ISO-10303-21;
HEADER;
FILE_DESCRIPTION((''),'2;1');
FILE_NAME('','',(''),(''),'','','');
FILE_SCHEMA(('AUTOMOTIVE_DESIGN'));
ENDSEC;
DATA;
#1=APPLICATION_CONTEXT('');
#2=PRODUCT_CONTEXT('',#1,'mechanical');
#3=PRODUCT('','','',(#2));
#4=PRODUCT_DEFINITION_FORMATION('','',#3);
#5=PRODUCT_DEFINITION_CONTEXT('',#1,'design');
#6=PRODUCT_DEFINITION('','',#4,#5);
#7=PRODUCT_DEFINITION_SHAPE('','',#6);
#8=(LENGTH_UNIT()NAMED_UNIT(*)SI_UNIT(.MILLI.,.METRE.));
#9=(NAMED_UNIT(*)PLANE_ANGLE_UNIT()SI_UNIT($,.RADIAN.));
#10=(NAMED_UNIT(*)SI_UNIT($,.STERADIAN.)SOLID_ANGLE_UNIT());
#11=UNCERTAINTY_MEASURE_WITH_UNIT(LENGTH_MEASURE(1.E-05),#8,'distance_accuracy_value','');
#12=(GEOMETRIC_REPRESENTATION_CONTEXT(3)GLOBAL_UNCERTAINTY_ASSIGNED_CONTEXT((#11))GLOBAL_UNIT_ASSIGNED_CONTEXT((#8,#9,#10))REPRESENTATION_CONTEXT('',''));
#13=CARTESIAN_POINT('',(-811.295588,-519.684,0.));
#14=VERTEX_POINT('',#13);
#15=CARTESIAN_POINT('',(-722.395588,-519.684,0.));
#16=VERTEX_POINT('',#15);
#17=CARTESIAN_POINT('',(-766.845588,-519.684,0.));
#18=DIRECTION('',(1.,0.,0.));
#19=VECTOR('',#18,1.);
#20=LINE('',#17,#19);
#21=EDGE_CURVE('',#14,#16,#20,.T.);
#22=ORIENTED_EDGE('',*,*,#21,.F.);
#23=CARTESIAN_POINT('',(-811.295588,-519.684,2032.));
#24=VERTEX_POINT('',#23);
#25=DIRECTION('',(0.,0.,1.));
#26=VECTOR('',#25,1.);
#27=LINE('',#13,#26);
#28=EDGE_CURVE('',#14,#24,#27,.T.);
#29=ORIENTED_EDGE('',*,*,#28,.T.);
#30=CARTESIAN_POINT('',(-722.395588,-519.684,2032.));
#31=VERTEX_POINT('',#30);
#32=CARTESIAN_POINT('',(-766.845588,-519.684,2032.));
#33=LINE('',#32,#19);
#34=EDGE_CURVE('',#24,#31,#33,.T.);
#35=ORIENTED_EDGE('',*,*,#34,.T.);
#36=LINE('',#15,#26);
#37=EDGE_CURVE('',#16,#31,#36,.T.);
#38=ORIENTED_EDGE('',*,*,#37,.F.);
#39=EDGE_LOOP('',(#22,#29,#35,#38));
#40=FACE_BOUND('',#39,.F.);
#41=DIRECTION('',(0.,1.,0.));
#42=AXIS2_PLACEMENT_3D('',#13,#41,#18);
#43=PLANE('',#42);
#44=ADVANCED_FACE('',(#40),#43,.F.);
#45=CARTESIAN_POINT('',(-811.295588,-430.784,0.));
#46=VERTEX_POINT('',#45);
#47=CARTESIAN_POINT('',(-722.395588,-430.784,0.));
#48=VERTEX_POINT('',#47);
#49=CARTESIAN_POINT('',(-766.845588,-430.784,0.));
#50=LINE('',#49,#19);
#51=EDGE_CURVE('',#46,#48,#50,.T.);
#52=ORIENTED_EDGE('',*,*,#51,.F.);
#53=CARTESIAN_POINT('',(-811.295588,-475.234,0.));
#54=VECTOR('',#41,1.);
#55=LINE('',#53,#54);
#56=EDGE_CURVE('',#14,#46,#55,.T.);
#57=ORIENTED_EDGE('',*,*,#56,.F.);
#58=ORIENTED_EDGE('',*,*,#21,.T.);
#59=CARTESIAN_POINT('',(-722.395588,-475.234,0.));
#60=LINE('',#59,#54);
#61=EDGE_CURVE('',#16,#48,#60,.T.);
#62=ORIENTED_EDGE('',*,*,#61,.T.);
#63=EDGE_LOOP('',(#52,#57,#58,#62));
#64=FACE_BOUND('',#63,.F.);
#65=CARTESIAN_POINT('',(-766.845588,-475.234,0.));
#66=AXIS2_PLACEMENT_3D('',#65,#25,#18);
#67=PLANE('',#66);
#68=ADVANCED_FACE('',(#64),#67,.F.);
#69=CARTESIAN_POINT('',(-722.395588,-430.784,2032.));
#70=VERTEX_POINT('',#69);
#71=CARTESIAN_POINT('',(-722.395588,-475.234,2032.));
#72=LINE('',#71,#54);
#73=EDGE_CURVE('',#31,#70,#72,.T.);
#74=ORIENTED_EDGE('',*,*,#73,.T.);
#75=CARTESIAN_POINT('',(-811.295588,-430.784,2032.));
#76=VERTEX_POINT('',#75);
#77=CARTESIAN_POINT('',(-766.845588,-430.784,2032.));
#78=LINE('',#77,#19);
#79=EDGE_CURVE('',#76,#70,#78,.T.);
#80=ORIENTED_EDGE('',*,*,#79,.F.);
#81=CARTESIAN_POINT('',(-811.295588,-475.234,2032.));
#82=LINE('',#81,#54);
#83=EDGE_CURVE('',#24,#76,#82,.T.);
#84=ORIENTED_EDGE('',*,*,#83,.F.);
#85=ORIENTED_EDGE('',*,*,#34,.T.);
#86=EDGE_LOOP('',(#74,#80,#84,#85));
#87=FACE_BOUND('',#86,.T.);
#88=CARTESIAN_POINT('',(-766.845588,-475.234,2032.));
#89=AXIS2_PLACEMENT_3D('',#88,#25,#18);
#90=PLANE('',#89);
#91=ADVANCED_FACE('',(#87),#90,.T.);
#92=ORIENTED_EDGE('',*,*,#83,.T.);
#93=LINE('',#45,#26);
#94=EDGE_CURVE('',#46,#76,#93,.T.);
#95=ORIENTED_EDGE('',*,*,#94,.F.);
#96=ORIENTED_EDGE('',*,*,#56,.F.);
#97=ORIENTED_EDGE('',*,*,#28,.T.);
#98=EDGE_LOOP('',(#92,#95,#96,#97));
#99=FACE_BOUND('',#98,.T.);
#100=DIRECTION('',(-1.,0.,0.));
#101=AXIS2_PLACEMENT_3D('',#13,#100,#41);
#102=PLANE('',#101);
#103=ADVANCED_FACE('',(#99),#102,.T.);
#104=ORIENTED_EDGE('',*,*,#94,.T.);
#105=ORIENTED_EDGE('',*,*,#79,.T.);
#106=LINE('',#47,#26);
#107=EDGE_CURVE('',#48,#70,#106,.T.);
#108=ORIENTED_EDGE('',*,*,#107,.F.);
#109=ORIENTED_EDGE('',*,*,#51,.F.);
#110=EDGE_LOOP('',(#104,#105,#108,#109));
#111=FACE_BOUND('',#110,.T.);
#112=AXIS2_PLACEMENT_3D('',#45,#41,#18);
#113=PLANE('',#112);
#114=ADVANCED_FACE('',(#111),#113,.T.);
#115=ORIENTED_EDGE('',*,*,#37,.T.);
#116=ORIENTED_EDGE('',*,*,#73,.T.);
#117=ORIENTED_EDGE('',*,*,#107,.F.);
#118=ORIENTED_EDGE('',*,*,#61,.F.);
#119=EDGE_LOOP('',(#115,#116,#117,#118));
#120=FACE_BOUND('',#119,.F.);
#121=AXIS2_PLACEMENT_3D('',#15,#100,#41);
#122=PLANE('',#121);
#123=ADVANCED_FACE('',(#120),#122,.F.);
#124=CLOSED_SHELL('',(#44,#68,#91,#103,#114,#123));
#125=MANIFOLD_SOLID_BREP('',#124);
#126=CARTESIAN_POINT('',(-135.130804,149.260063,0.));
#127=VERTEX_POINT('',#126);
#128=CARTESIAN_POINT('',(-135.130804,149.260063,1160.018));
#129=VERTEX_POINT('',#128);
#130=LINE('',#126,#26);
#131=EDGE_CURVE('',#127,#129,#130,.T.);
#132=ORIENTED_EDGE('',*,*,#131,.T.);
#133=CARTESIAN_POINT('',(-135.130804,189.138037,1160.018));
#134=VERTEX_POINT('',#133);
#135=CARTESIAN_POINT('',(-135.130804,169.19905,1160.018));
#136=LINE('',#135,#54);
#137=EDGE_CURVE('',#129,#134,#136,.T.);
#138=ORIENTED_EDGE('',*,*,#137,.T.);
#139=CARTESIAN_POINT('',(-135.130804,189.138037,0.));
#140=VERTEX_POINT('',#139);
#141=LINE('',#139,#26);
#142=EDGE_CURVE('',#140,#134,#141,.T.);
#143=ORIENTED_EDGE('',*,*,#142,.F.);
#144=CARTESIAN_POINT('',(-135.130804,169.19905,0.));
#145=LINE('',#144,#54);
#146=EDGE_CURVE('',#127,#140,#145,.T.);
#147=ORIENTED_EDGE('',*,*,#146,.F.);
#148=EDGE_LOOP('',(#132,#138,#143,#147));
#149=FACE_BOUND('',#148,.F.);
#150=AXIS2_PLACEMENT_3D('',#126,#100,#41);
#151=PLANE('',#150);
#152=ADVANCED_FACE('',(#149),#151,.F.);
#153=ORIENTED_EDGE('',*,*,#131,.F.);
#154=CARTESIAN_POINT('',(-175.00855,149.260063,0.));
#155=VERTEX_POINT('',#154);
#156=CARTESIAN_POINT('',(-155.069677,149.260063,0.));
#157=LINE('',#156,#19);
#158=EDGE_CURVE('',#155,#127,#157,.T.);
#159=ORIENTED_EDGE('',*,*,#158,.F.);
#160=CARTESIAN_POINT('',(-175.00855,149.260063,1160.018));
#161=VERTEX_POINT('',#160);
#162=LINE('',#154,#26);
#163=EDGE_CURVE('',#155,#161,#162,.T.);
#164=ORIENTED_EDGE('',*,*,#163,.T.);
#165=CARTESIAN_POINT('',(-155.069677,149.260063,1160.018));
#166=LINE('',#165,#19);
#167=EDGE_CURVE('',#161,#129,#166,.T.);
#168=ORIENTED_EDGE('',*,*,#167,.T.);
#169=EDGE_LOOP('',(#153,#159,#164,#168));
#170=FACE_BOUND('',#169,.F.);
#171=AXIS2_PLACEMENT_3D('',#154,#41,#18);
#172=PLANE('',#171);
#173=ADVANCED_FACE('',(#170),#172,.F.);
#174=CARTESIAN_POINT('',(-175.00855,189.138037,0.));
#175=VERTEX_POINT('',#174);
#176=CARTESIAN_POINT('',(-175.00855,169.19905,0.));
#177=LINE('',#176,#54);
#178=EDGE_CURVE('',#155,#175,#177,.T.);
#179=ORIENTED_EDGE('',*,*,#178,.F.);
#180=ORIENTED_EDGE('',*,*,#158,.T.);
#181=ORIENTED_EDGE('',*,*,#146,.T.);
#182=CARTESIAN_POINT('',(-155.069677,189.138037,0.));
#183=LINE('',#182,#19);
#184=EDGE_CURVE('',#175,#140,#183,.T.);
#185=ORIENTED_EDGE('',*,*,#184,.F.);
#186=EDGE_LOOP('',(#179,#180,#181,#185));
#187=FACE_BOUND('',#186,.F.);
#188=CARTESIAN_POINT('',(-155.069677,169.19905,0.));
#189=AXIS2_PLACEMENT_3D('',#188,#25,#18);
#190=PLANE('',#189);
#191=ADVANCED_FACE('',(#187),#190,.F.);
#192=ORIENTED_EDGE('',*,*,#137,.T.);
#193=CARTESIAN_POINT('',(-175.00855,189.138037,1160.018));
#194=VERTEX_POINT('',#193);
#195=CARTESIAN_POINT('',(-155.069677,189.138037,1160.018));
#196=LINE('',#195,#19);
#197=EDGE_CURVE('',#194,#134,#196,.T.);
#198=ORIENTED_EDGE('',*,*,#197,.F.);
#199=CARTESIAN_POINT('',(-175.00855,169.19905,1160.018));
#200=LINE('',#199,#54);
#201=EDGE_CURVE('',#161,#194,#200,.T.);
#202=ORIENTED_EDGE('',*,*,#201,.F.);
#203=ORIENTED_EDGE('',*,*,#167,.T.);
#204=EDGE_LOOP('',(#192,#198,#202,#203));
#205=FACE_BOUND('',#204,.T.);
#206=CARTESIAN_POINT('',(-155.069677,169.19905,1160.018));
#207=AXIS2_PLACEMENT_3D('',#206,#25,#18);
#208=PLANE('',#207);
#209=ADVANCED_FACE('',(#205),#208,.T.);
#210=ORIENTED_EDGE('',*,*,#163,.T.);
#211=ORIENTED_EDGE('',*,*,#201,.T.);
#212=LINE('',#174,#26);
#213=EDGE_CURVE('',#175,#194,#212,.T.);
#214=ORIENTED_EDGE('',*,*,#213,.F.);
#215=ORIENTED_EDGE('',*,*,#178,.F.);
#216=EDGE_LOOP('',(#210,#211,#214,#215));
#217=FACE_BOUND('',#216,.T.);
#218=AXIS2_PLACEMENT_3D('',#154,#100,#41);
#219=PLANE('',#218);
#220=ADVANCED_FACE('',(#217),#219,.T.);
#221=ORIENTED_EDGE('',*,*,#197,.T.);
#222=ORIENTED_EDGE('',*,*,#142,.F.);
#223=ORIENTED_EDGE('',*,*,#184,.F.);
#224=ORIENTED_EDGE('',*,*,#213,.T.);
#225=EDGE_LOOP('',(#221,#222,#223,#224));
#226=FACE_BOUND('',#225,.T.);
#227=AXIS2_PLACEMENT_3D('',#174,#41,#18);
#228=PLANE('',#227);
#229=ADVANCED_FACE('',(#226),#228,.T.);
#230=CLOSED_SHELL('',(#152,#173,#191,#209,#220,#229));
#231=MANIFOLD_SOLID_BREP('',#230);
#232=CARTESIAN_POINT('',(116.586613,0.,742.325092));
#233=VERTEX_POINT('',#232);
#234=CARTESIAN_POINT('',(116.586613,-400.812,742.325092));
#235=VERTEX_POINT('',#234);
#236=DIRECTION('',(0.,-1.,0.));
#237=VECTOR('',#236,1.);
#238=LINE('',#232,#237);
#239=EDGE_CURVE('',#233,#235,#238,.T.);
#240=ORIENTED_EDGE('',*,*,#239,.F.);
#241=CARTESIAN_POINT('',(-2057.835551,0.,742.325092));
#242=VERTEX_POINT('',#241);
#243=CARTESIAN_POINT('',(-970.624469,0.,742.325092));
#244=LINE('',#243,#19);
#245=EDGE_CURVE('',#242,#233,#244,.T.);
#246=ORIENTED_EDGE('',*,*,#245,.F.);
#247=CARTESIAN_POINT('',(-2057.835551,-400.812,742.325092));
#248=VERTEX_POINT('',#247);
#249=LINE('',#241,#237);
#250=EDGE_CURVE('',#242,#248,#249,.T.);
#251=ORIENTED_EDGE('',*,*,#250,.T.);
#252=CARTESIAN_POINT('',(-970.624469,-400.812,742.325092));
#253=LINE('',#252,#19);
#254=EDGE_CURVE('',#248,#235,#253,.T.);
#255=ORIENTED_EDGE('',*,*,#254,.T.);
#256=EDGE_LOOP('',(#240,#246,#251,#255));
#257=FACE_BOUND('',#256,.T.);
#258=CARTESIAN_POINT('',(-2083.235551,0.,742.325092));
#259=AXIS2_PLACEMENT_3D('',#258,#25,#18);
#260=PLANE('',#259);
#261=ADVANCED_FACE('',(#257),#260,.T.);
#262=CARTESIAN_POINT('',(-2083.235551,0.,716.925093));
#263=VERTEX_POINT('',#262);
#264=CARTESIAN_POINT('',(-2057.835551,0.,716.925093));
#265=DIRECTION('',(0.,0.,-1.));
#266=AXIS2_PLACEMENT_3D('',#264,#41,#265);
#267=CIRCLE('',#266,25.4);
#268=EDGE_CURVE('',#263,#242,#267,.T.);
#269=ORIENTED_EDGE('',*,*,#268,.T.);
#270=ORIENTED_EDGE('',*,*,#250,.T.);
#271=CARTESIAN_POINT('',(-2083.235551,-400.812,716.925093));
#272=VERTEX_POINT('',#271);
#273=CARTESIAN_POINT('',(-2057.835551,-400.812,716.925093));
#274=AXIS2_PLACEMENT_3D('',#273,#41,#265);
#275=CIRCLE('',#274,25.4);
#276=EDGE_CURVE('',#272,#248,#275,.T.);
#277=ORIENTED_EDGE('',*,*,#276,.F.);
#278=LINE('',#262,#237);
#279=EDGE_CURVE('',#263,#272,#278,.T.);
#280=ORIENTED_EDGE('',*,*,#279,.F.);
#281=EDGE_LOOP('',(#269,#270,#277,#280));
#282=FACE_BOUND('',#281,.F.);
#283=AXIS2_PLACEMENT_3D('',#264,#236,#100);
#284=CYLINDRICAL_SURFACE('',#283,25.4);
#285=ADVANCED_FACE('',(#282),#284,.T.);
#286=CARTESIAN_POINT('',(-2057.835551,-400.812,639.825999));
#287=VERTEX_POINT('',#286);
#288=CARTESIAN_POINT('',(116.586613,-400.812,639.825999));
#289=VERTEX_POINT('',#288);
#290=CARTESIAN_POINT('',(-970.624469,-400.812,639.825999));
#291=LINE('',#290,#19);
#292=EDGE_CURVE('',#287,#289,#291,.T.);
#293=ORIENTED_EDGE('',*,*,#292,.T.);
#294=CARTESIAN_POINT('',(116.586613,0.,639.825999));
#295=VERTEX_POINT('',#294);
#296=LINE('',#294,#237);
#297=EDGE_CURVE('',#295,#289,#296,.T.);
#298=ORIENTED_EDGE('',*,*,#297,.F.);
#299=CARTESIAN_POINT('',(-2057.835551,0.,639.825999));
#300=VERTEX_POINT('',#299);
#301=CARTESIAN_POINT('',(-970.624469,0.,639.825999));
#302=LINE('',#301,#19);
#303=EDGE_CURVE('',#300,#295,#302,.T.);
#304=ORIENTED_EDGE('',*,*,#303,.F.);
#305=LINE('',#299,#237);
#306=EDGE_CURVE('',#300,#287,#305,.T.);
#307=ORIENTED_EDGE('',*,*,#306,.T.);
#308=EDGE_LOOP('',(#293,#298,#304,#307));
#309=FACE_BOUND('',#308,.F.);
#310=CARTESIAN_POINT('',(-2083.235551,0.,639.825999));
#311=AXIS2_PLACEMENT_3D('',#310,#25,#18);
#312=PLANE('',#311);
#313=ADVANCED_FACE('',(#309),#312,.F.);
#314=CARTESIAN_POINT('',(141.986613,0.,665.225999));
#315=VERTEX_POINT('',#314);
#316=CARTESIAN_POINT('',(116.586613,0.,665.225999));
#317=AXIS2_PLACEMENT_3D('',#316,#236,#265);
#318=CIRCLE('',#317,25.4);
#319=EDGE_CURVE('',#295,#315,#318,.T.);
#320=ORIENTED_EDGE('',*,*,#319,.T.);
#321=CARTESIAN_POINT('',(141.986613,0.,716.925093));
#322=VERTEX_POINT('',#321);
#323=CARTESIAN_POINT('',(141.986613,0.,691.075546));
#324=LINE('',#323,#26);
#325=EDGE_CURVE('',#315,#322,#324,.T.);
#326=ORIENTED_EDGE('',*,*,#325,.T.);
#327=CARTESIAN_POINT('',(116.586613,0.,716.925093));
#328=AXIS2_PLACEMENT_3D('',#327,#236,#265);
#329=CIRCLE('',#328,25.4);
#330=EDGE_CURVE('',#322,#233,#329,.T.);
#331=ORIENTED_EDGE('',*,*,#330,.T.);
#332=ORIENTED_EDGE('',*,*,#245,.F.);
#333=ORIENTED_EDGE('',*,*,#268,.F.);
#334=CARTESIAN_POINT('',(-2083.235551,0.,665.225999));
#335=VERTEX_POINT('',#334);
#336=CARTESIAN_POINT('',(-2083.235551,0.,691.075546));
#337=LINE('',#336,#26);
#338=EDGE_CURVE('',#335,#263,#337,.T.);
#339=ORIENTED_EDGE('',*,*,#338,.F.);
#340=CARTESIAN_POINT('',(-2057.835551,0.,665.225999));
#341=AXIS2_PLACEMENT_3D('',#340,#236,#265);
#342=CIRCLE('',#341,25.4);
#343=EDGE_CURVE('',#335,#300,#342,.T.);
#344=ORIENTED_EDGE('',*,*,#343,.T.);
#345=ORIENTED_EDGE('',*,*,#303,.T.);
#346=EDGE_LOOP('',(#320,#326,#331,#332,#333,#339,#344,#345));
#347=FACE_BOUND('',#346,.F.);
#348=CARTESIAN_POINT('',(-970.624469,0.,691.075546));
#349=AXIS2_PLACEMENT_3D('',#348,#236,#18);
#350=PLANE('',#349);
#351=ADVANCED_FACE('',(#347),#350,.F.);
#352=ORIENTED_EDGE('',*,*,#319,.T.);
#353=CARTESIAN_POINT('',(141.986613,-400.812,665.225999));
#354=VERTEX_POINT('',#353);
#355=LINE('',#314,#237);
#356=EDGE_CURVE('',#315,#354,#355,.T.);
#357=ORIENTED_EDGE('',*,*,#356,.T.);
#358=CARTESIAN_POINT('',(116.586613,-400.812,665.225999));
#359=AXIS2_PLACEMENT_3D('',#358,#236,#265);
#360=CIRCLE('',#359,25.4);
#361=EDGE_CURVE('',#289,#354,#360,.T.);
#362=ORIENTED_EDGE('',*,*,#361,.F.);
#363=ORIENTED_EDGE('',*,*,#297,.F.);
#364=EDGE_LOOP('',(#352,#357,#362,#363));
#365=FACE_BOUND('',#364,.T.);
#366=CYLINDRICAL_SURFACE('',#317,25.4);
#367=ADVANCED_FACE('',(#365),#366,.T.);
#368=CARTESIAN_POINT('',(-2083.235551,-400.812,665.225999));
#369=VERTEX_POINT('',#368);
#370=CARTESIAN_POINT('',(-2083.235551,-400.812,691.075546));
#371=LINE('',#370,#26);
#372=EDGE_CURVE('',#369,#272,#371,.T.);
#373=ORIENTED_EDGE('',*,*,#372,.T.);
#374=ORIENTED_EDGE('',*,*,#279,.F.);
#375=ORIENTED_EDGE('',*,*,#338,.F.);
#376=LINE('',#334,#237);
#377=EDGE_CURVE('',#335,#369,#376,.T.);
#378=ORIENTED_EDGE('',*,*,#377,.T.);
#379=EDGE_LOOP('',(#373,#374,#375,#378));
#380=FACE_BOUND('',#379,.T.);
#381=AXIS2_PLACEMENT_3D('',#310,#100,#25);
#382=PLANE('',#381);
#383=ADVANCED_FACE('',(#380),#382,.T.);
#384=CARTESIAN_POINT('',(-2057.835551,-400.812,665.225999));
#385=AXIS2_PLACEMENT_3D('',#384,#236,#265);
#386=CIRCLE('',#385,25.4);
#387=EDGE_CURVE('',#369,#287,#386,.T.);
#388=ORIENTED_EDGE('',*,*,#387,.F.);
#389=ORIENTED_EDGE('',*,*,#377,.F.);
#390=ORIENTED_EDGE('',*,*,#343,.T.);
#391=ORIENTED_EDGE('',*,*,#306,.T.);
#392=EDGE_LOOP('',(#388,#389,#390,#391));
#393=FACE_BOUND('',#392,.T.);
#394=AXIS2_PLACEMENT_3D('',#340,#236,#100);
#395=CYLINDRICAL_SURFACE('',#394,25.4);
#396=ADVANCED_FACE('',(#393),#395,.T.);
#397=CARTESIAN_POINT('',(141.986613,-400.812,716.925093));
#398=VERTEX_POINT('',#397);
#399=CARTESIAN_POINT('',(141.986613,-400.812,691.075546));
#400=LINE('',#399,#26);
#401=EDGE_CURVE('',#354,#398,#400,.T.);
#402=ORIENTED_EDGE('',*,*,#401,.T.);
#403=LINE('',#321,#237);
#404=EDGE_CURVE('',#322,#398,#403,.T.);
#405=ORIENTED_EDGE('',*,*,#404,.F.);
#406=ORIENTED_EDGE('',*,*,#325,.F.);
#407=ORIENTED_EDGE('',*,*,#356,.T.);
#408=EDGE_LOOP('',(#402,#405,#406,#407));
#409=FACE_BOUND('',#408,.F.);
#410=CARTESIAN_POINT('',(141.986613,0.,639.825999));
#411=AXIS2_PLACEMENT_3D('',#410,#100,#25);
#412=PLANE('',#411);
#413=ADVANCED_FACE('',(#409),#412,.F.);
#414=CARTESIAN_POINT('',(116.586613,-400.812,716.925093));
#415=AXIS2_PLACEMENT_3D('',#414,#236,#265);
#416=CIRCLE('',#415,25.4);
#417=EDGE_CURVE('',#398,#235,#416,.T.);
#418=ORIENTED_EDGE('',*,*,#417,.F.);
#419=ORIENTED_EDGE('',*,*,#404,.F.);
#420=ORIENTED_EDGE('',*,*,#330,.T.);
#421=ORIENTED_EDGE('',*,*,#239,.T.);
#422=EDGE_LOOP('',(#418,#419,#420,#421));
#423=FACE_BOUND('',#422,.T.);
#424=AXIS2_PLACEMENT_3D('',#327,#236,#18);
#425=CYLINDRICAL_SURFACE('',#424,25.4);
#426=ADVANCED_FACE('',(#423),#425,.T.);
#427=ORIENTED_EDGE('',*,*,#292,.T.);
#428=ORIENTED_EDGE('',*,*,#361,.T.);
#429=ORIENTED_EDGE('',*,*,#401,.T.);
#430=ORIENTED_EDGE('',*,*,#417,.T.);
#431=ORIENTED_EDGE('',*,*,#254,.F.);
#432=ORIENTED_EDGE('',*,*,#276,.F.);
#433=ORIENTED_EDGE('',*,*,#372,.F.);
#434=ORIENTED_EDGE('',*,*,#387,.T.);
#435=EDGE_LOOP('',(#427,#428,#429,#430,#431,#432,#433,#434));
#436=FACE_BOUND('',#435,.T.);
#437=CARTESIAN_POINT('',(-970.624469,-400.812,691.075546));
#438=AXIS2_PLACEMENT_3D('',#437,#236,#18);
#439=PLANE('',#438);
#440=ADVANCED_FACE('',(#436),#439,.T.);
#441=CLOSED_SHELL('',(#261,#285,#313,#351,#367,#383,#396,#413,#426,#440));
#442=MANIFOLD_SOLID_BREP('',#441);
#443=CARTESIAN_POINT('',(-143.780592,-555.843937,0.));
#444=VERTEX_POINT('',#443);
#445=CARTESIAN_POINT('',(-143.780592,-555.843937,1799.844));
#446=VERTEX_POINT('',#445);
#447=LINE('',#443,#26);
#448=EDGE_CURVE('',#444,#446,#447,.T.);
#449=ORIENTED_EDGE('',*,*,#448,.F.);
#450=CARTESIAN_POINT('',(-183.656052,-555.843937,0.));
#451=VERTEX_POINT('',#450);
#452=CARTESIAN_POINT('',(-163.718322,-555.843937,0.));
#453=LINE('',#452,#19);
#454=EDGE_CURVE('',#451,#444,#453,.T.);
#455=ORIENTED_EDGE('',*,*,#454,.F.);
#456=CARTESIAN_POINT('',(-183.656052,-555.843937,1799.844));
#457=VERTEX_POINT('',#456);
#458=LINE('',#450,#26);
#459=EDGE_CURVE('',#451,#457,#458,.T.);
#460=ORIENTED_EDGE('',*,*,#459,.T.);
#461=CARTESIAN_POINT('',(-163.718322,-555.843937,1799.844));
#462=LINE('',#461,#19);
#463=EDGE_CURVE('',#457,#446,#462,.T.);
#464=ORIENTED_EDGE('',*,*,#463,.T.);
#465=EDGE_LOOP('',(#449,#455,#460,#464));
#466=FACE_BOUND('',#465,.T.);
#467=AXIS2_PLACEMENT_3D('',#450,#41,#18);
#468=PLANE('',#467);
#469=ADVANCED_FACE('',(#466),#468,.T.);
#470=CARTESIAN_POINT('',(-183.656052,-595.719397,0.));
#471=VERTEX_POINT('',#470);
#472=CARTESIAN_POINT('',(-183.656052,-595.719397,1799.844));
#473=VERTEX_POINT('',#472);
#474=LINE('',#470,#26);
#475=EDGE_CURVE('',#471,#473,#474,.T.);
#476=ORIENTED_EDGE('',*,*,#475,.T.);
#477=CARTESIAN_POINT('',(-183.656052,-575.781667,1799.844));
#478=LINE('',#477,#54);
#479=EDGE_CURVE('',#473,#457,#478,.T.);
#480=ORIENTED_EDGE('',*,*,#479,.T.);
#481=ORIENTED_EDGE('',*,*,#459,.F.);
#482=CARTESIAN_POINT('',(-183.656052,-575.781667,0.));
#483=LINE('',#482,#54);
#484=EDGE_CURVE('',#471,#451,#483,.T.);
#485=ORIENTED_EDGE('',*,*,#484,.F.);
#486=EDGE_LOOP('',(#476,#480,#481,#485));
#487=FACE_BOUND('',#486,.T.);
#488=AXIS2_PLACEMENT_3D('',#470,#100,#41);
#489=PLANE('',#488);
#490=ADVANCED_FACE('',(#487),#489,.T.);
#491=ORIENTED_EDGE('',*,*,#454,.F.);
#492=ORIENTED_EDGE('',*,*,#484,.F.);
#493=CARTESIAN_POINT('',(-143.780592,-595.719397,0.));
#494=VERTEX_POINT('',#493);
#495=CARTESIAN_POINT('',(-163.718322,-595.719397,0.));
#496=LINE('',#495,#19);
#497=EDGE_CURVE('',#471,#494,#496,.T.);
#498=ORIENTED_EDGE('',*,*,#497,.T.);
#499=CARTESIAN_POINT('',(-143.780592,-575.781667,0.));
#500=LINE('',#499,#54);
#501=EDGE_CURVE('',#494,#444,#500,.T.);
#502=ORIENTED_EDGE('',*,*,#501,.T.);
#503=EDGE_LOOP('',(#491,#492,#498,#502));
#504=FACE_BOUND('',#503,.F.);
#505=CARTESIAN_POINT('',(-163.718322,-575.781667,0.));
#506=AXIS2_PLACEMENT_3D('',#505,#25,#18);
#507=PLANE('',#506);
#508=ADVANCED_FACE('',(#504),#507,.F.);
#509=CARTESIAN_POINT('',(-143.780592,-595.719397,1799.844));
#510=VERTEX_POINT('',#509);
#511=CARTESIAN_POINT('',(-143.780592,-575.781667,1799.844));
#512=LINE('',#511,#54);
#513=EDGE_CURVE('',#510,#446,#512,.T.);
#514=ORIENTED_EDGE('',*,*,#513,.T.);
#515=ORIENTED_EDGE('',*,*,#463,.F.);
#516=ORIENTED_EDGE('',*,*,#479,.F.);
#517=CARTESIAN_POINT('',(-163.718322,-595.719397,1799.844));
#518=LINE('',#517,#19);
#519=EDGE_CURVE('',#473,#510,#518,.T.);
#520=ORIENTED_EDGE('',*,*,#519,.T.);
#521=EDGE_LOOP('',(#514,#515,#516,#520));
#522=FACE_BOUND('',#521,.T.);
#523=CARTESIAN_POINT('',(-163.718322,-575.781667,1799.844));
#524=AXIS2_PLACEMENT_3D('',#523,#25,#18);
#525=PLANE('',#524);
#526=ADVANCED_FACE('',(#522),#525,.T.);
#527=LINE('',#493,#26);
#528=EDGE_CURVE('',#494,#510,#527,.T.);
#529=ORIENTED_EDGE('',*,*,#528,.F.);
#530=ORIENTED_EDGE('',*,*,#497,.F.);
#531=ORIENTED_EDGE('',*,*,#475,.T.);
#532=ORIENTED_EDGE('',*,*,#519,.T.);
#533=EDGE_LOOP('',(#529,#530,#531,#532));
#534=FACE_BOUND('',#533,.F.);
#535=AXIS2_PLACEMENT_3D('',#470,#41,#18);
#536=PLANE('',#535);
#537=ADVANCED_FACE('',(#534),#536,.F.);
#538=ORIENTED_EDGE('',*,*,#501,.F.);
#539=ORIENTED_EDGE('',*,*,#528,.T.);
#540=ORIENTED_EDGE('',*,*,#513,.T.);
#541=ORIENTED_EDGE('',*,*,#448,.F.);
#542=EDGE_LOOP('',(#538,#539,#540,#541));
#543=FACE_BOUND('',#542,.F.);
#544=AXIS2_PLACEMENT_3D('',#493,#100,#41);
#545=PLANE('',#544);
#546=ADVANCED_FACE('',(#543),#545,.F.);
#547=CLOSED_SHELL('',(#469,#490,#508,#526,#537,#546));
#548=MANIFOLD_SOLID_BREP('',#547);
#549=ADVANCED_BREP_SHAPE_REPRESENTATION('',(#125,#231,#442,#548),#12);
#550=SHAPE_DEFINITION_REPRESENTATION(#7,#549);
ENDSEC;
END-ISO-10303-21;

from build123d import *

# Parameters (mm, degrees)
F0_W     = 88.9
F0_H     = 88.9
F1_DEPTH = 2032
F2_W     = 2225.222164
F2_H     = 102.499093
F3_DEPTH = 400.812
F4_R     = 25.4
F0_W_2   = 39.877746
F0_H_2   = 39.877975
F5_DEPTH = 1160.018
F0_W_3   = 39.87546
F0_H_3   = 39.87546
F6_DEPTH = 1799.844


with BuildPart() as f1:
    # F0 (on Top) → F1 (new body)
    with BuildSketch(Plane.XY):
        with Locations((-766.845588, -475.234)):
            Rectangle(F0_W, F0_H)
    extrude(amount=F1_DEPTH)


with BuildPart() as f3:
    # F2 (on Front) → F3 (new body)
    with BuildSketch(Plane.XZ):
        with Locations((-970.624469, 691.075546)):
            Rectangle(F2_W, F2_H)
    extrude(amount=F3_DEPTH)

    # F4
    f4_edges = [f3.edges().sort_by_distance(p)[0] for p in [
        (-2083.235551, -200.406, 742.325093),
        (141.986613, -200.406, 742.325093),
        (-2083.235551, -200.406, 639.826),
        (141.986613, -200.406, 639.826),
    ]]
    fillet(f4_edges, radius=F4_R)


with BuildPart() as f5:
    # F0 (on Top) → F5 (new body)
    with BuildSketch(Plane.XY):
        with Locations((-155.069677, 169.19905)):
            Rectangle(F0_W_2, F0_H_2)
    extrude(amount=F5_DEPTH)


with BuildPart() as f6:
    # F0 (on Top) → F6 (new body)
    with BuildSketch(Plane.XY):
        with Locations((-163.718322, -575.781667)):
            Rectangle(F0_W_3, F0_H_3)
    extrude(amount=F6_DEPTH)


solid = Compound([f1.part, f3.part, f5.part, f6.part])
